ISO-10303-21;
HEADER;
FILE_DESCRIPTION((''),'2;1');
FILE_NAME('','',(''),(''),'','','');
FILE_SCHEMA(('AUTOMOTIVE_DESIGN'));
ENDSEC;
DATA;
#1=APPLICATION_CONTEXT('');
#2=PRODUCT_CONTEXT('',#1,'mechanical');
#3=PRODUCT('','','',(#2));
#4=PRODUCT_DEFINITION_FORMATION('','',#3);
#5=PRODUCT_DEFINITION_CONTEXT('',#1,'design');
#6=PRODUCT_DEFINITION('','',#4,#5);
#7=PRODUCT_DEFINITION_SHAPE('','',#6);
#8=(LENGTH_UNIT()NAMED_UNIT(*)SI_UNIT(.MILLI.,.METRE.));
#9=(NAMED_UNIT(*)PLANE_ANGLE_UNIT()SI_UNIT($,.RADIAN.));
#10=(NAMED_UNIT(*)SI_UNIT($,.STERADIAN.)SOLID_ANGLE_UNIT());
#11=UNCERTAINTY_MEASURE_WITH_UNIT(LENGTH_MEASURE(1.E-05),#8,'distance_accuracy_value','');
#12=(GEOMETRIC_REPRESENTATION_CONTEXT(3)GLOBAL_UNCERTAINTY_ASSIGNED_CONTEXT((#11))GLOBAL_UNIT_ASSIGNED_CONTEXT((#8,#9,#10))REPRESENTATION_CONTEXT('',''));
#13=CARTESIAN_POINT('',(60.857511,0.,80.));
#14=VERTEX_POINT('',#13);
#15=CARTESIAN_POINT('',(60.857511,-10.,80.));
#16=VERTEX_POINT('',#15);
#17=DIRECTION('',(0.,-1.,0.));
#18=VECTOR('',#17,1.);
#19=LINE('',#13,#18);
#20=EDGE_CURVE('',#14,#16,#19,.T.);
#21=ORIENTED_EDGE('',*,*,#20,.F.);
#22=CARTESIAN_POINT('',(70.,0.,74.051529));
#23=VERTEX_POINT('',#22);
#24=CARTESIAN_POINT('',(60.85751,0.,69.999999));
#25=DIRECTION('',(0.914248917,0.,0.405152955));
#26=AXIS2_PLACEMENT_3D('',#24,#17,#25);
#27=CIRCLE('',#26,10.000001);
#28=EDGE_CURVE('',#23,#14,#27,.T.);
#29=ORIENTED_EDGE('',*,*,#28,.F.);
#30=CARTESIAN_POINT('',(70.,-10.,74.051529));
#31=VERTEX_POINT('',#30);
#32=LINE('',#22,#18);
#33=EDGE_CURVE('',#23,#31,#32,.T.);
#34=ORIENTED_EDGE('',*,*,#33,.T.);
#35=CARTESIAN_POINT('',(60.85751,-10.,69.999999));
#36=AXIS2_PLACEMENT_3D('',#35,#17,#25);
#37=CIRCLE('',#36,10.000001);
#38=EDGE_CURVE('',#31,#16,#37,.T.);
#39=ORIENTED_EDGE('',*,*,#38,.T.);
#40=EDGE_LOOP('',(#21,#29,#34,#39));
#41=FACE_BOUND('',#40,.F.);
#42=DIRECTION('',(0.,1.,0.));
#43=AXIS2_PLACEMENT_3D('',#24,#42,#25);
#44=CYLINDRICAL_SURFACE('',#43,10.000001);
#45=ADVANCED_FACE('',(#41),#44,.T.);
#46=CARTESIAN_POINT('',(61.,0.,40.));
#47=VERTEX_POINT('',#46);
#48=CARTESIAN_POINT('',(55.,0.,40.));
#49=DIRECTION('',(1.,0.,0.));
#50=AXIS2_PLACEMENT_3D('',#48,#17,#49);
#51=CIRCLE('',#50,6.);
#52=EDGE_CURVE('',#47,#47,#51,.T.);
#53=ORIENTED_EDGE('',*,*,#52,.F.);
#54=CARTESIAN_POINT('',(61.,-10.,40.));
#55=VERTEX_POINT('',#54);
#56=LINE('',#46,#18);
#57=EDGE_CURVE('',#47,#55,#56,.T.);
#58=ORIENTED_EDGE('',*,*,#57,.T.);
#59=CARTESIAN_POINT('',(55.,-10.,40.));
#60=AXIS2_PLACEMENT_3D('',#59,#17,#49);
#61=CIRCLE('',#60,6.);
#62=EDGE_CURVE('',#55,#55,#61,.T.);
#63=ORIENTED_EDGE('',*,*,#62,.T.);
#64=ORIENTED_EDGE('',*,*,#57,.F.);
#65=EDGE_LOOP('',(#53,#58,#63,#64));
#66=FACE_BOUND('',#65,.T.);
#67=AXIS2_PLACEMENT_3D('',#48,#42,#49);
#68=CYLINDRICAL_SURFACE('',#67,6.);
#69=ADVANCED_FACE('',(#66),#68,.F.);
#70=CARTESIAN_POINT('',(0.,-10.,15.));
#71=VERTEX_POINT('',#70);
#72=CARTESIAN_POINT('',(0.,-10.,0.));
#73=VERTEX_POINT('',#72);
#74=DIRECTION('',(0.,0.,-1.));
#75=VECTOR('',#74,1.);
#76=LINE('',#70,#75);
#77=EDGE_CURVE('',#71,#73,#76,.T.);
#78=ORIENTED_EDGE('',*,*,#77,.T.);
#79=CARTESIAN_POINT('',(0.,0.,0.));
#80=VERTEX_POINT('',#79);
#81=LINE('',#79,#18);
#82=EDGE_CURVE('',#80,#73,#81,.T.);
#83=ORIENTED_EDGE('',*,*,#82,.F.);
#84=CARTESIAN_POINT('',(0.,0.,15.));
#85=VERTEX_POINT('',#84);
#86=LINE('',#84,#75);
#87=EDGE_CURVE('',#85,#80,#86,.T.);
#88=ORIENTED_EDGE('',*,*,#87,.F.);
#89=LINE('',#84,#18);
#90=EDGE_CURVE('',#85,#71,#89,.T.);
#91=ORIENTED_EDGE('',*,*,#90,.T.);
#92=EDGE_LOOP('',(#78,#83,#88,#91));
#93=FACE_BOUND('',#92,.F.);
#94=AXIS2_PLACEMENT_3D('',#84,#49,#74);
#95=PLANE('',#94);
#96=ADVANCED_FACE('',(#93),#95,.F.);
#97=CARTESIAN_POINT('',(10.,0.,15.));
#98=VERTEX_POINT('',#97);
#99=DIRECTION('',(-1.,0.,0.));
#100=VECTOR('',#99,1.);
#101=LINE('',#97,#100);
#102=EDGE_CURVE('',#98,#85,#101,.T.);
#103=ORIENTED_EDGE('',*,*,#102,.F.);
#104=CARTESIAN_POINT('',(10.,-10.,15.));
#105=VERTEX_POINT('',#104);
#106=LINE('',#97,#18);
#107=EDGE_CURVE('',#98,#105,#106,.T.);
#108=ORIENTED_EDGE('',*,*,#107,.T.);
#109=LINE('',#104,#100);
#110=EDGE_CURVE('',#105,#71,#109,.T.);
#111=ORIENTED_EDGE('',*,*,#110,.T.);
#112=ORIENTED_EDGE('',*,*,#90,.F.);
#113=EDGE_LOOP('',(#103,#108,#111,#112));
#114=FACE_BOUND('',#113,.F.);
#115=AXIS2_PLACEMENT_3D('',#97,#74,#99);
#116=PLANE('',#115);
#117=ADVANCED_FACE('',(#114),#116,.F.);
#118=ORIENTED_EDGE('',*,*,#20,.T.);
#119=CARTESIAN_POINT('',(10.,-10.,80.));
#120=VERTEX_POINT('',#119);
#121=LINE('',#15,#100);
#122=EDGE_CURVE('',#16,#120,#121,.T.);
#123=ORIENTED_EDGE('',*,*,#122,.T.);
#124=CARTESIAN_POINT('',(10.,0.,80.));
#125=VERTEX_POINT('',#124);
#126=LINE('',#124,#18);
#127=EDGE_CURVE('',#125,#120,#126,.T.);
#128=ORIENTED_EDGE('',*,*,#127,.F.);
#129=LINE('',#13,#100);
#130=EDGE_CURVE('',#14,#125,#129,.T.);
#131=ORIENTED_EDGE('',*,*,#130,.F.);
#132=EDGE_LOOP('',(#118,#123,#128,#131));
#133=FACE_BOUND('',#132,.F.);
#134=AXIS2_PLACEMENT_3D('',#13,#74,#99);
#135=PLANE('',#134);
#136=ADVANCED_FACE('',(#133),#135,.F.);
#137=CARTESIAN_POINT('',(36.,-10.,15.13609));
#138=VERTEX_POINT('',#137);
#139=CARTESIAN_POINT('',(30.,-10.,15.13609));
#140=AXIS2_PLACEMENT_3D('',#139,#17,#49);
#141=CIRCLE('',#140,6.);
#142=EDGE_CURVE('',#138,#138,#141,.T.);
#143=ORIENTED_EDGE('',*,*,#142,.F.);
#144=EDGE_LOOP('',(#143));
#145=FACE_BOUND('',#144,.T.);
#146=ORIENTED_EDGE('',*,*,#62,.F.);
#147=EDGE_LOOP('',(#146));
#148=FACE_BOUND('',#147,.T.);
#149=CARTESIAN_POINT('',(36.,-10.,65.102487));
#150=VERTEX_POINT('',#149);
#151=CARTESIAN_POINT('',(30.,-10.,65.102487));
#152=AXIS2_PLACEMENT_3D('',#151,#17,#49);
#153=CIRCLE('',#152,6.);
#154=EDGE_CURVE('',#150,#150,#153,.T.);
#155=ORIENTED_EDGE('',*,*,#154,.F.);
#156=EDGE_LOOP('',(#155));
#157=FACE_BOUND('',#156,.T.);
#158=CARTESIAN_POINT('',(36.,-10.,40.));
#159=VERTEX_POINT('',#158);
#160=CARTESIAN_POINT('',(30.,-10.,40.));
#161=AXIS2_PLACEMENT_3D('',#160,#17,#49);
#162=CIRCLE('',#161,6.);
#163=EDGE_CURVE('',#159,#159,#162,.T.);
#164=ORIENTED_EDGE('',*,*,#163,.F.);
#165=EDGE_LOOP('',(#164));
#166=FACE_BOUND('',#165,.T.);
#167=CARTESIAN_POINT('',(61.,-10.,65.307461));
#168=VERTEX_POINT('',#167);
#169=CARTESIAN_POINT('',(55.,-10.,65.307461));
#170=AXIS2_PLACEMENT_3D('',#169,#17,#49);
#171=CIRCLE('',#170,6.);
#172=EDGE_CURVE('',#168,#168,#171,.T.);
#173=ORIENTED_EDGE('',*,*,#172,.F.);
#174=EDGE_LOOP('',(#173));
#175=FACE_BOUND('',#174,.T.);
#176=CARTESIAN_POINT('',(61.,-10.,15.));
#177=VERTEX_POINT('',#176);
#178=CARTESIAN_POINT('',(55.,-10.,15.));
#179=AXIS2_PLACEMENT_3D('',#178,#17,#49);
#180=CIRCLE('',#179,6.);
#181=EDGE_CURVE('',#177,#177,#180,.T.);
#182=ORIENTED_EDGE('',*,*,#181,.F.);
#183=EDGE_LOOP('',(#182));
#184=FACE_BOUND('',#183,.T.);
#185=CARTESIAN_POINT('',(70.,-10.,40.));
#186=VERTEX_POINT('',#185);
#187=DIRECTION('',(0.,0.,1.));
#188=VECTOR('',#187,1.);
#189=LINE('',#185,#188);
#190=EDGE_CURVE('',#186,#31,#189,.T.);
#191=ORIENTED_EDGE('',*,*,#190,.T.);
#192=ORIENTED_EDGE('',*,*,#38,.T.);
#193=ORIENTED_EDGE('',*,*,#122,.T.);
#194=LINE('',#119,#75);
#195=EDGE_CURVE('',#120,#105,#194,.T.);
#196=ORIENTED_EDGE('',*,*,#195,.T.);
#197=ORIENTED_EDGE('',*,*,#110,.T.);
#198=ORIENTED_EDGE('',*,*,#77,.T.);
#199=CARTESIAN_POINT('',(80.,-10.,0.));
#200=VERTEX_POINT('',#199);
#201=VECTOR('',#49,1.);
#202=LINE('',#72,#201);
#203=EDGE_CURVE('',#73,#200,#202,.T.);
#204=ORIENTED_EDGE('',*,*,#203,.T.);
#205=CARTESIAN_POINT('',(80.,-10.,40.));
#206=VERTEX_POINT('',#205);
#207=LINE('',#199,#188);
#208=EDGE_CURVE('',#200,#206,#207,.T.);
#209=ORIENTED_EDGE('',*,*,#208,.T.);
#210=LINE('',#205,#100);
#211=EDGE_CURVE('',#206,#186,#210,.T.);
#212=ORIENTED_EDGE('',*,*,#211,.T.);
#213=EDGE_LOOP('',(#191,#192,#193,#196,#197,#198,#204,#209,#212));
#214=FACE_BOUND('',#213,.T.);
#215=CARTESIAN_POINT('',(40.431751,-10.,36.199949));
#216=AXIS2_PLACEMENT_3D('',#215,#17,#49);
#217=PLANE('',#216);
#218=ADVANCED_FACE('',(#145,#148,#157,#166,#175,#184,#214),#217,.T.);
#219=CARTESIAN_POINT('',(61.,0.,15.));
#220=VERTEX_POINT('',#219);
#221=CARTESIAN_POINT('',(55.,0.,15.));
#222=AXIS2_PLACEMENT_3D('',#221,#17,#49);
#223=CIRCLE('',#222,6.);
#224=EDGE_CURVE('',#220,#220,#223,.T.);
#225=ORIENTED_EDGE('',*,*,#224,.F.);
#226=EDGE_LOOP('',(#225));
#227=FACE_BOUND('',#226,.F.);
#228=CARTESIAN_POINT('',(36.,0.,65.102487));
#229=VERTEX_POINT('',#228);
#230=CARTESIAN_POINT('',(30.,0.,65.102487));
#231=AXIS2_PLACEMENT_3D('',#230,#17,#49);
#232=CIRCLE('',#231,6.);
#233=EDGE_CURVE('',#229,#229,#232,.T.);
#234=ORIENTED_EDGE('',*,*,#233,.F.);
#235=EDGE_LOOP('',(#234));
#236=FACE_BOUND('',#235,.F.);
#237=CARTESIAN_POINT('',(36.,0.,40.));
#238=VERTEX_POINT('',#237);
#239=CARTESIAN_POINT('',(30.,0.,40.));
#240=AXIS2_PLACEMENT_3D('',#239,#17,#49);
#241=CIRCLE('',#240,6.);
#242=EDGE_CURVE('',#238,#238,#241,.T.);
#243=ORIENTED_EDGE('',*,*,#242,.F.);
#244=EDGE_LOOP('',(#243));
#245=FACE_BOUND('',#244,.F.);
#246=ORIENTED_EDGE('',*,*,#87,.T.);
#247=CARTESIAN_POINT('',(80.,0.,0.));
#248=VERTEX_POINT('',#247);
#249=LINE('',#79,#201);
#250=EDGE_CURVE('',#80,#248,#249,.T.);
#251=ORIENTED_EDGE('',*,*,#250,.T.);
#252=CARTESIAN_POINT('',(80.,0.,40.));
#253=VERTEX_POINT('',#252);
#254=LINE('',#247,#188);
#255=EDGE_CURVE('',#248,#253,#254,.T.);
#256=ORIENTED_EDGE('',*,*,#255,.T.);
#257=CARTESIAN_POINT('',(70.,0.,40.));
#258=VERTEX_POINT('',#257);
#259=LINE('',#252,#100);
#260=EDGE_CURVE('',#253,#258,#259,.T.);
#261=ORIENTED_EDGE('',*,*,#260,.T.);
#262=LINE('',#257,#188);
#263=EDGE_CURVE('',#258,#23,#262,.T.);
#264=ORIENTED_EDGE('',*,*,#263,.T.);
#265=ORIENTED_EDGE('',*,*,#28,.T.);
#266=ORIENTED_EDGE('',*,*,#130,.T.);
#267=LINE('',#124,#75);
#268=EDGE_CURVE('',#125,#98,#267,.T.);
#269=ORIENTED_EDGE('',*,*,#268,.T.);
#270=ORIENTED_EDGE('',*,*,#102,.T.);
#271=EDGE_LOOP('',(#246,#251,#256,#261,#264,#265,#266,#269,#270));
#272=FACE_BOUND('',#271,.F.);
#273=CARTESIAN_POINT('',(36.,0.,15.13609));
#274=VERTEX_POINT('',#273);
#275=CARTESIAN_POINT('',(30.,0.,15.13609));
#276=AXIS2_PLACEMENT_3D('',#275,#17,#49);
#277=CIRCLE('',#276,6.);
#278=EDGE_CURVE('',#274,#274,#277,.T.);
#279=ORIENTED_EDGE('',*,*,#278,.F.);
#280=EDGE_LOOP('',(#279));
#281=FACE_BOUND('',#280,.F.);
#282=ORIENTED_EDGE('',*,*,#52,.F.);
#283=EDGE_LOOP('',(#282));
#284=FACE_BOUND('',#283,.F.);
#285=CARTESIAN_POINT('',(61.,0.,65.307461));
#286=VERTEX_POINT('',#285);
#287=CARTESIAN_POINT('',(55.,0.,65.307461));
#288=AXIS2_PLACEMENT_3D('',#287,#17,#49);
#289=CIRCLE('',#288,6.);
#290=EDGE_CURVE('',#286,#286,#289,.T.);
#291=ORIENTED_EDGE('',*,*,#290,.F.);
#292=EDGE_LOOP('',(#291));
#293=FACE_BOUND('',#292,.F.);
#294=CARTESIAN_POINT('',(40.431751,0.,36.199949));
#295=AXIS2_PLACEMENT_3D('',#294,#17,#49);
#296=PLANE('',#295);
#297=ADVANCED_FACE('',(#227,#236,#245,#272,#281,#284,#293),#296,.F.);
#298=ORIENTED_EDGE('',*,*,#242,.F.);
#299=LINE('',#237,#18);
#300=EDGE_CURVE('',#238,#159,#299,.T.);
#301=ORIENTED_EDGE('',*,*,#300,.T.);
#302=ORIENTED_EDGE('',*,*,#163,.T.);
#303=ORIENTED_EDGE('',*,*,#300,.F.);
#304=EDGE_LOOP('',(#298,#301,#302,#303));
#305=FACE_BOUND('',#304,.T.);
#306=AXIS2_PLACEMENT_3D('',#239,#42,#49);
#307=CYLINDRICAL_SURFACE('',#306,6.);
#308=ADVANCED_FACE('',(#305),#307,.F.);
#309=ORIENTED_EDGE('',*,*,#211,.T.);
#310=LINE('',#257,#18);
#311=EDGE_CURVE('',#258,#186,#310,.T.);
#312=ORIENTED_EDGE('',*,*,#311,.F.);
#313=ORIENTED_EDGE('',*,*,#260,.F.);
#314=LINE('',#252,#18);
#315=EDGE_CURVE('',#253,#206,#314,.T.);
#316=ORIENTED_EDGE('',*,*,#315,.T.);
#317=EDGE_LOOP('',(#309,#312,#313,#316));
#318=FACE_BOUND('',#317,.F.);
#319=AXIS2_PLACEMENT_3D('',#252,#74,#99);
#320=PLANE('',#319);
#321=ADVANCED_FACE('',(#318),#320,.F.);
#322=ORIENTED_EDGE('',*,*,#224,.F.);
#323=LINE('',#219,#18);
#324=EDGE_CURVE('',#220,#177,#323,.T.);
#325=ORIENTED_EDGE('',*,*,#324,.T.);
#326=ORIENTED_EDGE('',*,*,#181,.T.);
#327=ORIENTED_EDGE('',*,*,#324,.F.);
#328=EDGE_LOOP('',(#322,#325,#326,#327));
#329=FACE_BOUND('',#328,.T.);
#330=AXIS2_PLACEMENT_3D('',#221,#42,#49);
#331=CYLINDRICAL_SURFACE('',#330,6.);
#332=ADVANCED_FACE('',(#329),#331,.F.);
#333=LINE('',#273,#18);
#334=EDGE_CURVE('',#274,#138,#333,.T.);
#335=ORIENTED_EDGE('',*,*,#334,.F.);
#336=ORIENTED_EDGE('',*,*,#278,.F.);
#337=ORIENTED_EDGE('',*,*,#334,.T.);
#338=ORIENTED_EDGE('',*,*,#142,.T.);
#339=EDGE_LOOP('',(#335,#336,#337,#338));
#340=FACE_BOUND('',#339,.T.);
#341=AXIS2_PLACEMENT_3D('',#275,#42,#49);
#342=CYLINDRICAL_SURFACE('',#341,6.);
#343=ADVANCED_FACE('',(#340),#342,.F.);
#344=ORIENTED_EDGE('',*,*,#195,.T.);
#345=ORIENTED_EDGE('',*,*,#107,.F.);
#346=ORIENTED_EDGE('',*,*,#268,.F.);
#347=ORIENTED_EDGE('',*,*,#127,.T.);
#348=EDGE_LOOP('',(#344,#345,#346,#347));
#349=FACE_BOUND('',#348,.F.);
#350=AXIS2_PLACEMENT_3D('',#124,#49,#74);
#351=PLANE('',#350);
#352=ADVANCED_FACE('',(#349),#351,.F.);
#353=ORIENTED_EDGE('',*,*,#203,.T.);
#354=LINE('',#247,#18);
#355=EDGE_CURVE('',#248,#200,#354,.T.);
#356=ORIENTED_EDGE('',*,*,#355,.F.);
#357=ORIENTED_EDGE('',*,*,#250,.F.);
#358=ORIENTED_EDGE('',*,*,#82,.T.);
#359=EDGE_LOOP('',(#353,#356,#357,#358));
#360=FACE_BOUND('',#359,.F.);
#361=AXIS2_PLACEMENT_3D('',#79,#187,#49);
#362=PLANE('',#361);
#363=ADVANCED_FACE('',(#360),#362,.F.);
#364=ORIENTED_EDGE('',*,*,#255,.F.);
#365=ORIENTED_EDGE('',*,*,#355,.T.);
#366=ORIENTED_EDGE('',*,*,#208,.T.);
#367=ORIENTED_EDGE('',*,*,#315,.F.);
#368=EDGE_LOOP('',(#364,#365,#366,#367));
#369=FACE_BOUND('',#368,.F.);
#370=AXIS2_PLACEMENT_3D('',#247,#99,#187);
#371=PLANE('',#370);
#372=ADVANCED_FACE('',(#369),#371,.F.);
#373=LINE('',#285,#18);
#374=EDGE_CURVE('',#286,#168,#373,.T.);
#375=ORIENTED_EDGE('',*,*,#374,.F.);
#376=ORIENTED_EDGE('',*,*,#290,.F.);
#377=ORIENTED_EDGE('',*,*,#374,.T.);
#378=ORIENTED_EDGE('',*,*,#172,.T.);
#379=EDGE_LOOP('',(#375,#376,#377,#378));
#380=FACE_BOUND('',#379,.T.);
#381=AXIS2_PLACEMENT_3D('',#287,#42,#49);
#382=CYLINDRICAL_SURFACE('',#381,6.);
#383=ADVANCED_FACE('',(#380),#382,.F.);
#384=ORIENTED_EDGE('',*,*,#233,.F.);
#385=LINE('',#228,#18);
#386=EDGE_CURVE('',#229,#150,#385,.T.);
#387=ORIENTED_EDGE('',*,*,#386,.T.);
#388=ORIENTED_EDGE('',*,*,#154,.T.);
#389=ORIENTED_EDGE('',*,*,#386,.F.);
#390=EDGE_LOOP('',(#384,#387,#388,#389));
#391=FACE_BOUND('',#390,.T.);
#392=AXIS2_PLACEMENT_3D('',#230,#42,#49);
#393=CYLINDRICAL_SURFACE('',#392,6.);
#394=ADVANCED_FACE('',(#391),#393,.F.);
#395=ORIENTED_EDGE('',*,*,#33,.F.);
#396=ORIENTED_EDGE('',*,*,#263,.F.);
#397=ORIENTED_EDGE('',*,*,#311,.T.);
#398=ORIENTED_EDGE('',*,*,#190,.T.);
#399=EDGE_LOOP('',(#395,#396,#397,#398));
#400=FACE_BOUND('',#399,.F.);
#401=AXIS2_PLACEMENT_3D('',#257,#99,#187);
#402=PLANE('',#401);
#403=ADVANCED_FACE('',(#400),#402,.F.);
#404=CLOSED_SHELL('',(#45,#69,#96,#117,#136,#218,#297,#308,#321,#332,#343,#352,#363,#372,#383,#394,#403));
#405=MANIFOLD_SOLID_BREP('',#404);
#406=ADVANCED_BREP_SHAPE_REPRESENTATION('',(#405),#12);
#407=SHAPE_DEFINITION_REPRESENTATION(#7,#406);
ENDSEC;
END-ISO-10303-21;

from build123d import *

# Parameters (mm, degrees)
F0_R     = 6
F1_DEPTH = 10


with BuildPart() as f1:
    # F0 (on Front) → F1 (new body)
    with BuildSketch(Plane.XZ):
        with BuildLine():
            Line((0, 15), (0, 0))
            Line((0, 0), (55, 0))
            Line((55, 0), (80, 0))
            Line((80, 0), (80, 40))
            Line((80, 40), (70, 40))
            Line((70, 40), (70, 74.051529))
            ThreePointArc((70, 74.051529), (66.311166, 78.381983), (60.857511, 80))
            Line((60.857511, 80), (10, 80))
            Line((10, 80), (10, 15))
            Line((10, 15), (0, 15))
        make_face()
        with Locations((30, 15.13609)):
            Circle(F0_R, mode=Mode.SUBTRACT)
        with Locations((55, 15)):
            Circle(F0_R, mode=Mode.SUBTRACT)
        with Locations((30, 40)):
            Circle(F0_R, mode=Mode.SUBTRACT)
        with Locations((30, 65.102487)):
            Circle(F0_R, mode=Mode.SUBTRACT)
        with Locations((55, 40)):
            Circle(F0_R, mode=Mode.SUBTRACT)
        with Locations((55, 65.307461)):
            Circle(F0_R, mode=Mode.SUBTRACT)
    extrude(amount=F1_DEPTH)


solid = f1.part
